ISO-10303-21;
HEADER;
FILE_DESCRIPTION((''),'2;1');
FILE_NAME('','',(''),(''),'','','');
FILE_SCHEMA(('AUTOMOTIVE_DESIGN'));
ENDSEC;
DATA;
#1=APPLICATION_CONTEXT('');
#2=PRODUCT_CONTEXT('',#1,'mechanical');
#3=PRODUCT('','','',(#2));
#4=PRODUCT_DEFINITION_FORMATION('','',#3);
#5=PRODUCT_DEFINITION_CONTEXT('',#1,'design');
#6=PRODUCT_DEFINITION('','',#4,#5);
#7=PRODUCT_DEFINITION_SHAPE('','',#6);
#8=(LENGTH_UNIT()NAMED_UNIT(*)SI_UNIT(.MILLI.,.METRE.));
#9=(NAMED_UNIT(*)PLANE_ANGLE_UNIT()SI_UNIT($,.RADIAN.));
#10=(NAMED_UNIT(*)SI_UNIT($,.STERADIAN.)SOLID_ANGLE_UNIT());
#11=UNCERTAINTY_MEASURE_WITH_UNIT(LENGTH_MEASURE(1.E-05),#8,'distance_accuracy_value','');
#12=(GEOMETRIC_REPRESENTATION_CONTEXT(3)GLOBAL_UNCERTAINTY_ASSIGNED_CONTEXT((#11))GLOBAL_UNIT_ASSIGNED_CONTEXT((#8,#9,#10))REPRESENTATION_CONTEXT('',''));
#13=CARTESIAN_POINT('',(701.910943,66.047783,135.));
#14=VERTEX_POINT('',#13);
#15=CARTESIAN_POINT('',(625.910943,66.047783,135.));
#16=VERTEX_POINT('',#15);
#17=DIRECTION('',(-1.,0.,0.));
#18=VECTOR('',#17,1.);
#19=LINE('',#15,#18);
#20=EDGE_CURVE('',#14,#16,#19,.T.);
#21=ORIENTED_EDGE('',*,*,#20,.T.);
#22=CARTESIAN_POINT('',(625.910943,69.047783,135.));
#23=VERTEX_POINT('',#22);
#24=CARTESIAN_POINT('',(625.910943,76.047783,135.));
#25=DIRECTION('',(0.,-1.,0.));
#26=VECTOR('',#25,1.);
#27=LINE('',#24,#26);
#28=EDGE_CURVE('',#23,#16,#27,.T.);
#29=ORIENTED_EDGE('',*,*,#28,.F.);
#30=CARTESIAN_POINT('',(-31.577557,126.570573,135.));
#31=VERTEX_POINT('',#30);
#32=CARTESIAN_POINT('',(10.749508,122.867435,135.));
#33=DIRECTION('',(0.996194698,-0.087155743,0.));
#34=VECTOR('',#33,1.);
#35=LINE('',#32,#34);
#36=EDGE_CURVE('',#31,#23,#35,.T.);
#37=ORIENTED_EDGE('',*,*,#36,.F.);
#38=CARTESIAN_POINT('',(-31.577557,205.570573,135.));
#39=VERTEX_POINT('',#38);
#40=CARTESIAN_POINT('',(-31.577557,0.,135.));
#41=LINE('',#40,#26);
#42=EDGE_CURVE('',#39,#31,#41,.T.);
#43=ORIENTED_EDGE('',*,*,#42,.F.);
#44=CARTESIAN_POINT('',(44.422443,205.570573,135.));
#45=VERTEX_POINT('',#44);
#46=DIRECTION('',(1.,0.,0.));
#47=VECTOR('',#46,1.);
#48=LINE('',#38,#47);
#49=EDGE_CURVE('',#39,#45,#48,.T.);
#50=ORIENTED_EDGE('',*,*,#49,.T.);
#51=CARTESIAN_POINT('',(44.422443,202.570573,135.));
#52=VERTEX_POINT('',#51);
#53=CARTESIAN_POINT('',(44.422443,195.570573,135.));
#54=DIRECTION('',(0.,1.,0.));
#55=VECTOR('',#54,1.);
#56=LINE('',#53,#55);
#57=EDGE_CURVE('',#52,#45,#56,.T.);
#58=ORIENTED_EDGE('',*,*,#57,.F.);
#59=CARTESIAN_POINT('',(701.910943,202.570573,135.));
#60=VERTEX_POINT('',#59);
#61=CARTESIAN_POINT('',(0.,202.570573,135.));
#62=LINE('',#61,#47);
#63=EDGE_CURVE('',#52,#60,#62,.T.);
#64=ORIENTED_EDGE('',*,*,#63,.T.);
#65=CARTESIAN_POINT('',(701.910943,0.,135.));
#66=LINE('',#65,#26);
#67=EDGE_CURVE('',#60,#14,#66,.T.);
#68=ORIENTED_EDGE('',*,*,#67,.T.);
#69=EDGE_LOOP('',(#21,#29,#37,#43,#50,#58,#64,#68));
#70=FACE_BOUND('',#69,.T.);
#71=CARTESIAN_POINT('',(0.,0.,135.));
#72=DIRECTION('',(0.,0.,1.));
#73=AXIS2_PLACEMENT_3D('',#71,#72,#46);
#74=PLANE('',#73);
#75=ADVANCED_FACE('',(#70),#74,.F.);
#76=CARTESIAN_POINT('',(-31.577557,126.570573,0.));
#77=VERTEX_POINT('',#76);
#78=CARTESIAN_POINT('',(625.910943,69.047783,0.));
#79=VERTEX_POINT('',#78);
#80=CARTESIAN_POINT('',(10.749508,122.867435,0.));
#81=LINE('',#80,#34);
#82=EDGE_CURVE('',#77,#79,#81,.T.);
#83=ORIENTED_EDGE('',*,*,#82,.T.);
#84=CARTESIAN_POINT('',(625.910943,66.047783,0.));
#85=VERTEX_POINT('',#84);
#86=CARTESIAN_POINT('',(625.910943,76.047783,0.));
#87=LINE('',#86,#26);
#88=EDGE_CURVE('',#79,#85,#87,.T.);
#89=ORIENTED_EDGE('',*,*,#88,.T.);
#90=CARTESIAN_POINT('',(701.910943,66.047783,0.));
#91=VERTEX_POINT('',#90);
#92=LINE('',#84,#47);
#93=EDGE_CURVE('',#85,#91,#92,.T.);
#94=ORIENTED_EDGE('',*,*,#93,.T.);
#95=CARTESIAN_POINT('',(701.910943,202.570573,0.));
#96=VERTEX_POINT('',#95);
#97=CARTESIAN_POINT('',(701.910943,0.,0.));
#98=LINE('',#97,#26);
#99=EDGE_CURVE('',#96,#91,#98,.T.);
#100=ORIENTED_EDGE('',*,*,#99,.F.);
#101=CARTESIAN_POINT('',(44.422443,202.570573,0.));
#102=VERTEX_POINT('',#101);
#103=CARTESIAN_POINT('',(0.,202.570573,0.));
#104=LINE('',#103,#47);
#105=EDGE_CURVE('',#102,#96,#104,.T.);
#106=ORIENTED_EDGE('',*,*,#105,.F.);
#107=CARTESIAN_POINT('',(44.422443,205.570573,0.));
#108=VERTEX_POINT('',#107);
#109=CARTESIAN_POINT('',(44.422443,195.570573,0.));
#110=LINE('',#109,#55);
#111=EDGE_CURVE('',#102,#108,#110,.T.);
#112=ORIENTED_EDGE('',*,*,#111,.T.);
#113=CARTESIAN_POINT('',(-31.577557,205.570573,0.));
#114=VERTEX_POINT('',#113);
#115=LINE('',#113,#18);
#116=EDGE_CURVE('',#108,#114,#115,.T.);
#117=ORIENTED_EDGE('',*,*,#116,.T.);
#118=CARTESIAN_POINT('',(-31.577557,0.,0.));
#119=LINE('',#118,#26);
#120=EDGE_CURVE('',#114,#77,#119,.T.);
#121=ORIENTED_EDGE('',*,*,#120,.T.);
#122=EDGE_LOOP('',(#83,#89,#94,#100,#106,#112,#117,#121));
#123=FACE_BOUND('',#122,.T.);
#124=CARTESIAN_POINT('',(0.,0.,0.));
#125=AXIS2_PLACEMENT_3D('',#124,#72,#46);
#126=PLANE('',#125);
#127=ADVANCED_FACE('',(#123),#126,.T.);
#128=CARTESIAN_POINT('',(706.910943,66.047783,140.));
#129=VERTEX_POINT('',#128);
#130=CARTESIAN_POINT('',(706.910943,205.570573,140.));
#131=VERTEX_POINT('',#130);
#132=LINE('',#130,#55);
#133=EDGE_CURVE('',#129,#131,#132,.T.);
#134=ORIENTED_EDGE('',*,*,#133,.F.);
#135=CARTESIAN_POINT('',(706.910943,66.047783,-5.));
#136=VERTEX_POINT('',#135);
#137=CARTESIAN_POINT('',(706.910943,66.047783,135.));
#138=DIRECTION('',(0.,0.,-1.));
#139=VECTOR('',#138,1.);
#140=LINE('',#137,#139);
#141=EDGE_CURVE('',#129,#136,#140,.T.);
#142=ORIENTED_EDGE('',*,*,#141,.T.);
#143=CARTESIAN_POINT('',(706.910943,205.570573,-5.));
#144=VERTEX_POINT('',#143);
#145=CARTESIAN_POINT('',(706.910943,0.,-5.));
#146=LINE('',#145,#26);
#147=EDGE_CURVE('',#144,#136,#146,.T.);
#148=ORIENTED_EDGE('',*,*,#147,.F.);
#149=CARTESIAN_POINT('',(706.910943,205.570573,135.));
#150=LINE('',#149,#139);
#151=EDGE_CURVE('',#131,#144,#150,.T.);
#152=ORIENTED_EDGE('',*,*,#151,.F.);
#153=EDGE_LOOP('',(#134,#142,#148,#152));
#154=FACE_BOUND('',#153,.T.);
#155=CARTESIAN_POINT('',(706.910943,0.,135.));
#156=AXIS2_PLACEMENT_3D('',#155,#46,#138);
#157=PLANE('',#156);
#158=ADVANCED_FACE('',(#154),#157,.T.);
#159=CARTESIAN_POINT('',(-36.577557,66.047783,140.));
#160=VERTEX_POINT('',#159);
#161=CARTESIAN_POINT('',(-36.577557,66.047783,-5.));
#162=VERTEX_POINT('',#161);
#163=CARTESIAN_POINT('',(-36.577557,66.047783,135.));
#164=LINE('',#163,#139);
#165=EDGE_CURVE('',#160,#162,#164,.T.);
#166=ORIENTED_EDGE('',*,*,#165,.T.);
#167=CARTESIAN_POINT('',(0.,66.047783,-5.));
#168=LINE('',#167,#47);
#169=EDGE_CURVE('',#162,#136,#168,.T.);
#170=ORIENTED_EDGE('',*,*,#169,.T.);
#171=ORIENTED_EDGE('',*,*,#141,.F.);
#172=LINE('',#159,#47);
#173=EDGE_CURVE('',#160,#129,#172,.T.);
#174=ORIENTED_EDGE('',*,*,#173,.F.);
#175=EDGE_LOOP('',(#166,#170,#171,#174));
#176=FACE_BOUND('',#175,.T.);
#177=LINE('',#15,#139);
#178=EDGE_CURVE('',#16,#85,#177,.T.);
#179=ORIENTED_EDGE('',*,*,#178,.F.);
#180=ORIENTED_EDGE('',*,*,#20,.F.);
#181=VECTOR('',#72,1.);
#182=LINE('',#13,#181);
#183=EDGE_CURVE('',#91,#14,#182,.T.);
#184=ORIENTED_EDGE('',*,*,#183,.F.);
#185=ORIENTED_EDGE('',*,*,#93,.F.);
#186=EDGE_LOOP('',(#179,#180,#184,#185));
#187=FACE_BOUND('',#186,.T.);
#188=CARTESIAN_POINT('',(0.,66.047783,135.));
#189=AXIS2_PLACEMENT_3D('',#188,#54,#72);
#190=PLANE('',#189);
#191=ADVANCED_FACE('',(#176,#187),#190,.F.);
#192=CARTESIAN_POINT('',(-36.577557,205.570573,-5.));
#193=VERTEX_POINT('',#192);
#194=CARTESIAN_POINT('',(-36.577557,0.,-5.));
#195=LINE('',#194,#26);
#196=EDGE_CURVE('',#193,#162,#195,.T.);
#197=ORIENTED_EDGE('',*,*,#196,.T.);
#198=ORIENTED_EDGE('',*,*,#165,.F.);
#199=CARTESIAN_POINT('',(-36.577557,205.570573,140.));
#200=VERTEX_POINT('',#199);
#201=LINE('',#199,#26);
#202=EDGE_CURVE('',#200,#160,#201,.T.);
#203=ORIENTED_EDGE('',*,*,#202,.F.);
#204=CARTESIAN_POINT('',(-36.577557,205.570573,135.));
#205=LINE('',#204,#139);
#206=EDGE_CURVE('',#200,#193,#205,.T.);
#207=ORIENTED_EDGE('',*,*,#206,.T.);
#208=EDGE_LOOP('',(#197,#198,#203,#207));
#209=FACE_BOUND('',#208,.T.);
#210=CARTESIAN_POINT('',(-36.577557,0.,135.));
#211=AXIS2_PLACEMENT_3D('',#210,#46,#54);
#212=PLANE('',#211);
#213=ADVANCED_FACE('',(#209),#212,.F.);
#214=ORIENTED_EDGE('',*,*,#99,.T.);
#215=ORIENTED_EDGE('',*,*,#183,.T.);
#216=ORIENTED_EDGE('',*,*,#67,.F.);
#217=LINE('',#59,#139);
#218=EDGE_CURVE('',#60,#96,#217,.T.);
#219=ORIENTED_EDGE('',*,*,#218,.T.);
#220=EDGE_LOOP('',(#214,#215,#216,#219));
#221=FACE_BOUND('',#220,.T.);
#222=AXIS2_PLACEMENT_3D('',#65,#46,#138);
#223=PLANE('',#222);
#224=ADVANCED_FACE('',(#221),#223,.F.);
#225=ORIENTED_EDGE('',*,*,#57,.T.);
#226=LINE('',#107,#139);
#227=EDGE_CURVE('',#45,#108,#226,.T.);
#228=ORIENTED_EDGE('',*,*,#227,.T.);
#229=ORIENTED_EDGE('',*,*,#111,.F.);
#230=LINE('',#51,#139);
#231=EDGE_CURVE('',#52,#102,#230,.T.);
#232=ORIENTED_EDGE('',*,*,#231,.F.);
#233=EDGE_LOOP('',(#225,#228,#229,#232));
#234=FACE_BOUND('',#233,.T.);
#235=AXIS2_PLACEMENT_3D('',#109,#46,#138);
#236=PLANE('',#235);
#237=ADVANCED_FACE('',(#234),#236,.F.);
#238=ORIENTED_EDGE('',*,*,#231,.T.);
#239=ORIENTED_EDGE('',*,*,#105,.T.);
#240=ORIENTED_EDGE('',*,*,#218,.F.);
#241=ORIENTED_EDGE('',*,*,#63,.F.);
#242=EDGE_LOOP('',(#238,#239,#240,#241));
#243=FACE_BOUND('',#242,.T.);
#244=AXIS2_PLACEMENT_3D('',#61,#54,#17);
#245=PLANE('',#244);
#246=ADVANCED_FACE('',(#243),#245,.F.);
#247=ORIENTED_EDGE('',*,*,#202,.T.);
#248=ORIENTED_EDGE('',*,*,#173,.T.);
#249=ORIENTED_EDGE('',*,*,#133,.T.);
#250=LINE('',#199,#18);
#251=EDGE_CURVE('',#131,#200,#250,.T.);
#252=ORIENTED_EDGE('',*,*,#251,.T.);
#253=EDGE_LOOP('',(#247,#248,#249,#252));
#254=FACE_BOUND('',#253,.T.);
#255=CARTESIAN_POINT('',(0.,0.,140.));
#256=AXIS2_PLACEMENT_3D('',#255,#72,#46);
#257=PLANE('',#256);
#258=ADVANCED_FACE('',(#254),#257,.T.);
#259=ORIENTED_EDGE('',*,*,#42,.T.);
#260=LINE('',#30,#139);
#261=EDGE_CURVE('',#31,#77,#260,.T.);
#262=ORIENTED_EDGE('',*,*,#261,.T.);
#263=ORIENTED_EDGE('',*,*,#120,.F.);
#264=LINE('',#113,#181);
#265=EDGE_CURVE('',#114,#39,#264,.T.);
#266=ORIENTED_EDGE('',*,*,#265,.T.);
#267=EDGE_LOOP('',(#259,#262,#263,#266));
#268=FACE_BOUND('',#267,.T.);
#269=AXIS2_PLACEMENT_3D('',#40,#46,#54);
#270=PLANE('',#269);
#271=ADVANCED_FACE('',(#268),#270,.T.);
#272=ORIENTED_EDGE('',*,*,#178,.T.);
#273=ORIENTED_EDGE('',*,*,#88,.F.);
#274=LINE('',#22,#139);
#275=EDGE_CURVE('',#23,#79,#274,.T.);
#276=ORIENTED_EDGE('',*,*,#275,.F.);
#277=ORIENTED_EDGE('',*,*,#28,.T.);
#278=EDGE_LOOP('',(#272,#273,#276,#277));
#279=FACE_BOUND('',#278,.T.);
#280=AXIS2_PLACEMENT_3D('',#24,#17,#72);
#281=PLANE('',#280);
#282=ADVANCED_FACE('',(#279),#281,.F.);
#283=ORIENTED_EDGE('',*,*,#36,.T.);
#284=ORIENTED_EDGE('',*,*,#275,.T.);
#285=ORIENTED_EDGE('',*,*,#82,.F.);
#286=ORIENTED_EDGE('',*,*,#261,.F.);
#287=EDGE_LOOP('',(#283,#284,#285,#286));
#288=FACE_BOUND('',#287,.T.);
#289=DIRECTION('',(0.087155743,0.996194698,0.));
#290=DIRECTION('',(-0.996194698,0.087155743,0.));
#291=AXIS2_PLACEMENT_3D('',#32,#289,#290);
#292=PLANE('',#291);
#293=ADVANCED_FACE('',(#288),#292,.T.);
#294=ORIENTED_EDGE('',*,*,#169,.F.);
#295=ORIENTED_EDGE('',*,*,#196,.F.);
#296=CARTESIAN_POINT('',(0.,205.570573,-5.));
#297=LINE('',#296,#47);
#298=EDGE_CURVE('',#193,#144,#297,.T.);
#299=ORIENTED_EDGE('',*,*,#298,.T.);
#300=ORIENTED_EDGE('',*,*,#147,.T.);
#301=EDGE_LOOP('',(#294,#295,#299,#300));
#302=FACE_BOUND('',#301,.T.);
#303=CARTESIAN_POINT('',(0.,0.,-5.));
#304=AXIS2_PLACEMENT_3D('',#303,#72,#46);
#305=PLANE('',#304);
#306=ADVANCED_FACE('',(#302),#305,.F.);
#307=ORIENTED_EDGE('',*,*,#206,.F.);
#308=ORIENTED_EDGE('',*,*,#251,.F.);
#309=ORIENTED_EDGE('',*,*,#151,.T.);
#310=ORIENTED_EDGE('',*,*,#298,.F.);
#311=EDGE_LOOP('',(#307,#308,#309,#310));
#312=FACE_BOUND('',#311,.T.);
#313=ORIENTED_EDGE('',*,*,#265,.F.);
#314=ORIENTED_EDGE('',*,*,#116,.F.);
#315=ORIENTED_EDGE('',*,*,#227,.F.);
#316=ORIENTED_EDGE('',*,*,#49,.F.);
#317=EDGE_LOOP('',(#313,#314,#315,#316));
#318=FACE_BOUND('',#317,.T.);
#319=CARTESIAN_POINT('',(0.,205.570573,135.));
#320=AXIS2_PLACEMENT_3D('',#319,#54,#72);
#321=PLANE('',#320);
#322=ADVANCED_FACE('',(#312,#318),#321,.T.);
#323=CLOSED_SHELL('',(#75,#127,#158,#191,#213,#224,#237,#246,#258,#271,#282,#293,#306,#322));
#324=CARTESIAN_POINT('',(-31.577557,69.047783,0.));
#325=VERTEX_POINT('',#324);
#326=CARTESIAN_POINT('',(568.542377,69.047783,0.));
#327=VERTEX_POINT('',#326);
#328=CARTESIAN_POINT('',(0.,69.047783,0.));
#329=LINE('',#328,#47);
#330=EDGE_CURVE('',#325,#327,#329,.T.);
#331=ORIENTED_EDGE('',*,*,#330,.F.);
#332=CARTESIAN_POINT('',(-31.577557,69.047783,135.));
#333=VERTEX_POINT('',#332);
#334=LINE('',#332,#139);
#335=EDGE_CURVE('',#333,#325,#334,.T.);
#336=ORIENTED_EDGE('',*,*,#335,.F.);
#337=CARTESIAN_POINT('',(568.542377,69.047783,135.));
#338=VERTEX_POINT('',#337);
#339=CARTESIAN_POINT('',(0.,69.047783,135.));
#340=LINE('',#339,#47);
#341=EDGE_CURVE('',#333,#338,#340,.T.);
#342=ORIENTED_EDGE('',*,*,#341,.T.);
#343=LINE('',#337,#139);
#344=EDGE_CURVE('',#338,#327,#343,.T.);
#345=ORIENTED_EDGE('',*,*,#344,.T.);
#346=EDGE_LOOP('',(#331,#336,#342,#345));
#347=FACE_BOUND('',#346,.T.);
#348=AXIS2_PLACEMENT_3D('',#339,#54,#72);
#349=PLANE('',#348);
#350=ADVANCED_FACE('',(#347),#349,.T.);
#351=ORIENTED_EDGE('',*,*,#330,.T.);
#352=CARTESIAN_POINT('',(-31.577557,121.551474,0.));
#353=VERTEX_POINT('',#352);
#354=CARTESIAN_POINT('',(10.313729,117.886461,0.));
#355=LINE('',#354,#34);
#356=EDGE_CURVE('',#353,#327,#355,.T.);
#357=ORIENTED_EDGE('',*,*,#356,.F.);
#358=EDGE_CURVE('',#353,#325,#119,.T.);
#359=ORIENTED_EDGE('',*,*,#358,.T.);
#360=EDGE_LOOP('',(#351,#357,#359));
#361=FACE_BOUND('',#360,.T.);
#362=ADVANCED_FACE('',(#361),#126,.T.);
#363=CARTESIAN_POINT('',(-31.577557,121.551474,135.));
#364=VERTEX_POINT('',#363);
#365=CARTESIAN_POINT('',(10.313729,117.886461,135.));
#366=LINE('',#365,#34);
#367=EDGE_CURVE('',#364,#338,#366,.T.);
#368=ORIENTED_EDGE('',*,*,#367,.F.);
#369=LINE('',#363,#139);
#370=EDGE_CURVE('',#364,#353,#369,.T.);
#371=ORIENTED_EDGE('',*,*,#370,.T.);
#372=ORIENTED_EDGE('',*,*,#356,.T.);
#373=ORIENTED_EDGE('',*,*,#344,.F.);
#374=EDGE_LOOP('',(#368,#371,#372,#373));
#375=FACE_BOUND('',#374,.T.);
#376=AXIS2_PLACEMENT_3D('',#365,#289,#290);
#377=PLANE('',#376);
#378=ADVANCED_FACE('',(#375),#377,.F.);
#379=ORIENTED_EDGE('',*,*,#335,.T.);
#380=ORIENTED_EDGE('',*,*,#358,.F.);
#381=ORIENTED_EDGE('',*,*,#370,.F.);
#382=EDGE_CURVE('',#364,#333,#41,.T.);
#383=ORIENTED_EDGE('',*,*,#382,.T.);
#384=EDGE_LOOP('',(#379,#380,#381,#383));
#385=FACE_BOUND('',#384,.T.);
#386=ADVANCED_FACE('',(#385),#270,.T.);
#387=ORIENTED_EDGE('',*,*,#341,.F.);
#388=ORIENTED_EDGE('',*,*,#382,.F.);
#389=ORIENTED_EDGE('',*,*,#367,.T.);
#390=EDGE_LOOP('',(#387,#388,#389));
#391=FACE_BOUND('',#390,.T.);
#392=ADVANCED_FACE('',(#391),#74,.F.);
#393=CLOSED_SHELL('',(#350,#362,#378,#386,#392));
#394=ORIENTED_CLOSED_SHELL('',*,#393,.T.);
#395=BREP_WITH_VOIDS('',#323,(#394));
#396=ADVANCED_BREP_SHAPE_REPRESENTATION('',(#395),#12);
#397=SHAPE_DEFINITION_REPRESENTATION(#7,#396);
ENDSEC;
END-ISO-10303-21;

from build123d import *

# Parameters (mm, degrees)
ESQUISSE1_W             = 743.48850074
ESQUISSE1_H             = 139.522790213
BOSS_EXTRU_1_DEPTH      = 135
ESQUISSE1_4_W           = 743.48850074
ESQUISSE1_4_H           = 139.522790213
BOSS_EXTRU_3_DEPTH      = 5
ESQUISSE2_W             = 743.48850074
ESQUISSE2_H             = 139.522790213
BOSS_EXTRU_4_DEPTH      = 5
ESQUISSE3_W             = 76
ESQUISSE3_H             = 135
ENL_V_MAT_EXTRU_1_DEPTH = 10
ESQUISSE4_W             = 76
ESQUISSE4_H             = 135
ENL_V_MAT_EXTRU_2_DEPTH = 10


with BuildPart() as part:
    # Esquisse1 → Boss.-Extru.1 (new body)
    with BuildSketch(Plane.XY):
        with Locations((335.166692979, 135.809178026)):
            Rectangle(ESQUISSE1_W, ESQUISSE1_H)
        Polygon((625.910943349, 69.047782919), (-31.577557391, 126.570573132), (-31.577557391, 202.570573132), (701.910943349, 202.570573132), (701.910943349, 69.047782919), align=None, mode=Mode.SUBTRACT)
        Polygon((-31.577557391, 121.551473945), (568.542377121, 69.047782919), (-31.577557391, 69.047782919), align=None, mode=Mode.SUBTRACT)
    extrude(amount=BOSS_EXTRU_1_DEPTH)

    # Esquisse1<4> → Boss.-Extru.3 (add)
    with BuildSketch(Plane.XY):
        with Locations((335.166692979, 135.809178026)):
            Rectangle(ESQUISSE1_4_W, ESQUISSE1_4_H)
    extrude(amount=-BOSS_EXTRU_3_DEPTH)

    # Esquisse2 → Boss.-Extru.4 (add)
    with BuildSketch(Plane.XY.offset(135)):
        with Locations((335.166692979, 135.809178026)):
            Rectangle(ESQUISSE2_W, ESQUISSE2_H)
    extrude(amount=BOSS_EXTRU_4_DEPTH)

    # Esquisse3 → Enlèv. mat.-Extru.1 (cut)
    with BuildSketch(Plane(origin=(0, 205.570573132, 0), x_dir=(1, 0, 0), z_dir=(0, 1, 0))):
        with Locations((6.422442609, -67.5)):
            Rectangle(ESQUISSE3_W, ESQUISSE3_H)
    extrude(amount=-ENL_V_MAT_EXTRU_1_DEPTH, mode=Mode.SUBTRACT)

    # Esquisse4 → Enlèv. mat.-Extru.2 (cut)
    with BuildSketch(Plane.XZ.offset(-66.047782919)):
        with Locations((663.910943349, 67.5)):
            Rectangle(ESQUISSE4_W, ESQUISSE4_H)
    extrude(amount=-ENL_V_MAT_EXTRU_2_DEPTH, mode=Mode.SUBTRACT)


solid = part.part
